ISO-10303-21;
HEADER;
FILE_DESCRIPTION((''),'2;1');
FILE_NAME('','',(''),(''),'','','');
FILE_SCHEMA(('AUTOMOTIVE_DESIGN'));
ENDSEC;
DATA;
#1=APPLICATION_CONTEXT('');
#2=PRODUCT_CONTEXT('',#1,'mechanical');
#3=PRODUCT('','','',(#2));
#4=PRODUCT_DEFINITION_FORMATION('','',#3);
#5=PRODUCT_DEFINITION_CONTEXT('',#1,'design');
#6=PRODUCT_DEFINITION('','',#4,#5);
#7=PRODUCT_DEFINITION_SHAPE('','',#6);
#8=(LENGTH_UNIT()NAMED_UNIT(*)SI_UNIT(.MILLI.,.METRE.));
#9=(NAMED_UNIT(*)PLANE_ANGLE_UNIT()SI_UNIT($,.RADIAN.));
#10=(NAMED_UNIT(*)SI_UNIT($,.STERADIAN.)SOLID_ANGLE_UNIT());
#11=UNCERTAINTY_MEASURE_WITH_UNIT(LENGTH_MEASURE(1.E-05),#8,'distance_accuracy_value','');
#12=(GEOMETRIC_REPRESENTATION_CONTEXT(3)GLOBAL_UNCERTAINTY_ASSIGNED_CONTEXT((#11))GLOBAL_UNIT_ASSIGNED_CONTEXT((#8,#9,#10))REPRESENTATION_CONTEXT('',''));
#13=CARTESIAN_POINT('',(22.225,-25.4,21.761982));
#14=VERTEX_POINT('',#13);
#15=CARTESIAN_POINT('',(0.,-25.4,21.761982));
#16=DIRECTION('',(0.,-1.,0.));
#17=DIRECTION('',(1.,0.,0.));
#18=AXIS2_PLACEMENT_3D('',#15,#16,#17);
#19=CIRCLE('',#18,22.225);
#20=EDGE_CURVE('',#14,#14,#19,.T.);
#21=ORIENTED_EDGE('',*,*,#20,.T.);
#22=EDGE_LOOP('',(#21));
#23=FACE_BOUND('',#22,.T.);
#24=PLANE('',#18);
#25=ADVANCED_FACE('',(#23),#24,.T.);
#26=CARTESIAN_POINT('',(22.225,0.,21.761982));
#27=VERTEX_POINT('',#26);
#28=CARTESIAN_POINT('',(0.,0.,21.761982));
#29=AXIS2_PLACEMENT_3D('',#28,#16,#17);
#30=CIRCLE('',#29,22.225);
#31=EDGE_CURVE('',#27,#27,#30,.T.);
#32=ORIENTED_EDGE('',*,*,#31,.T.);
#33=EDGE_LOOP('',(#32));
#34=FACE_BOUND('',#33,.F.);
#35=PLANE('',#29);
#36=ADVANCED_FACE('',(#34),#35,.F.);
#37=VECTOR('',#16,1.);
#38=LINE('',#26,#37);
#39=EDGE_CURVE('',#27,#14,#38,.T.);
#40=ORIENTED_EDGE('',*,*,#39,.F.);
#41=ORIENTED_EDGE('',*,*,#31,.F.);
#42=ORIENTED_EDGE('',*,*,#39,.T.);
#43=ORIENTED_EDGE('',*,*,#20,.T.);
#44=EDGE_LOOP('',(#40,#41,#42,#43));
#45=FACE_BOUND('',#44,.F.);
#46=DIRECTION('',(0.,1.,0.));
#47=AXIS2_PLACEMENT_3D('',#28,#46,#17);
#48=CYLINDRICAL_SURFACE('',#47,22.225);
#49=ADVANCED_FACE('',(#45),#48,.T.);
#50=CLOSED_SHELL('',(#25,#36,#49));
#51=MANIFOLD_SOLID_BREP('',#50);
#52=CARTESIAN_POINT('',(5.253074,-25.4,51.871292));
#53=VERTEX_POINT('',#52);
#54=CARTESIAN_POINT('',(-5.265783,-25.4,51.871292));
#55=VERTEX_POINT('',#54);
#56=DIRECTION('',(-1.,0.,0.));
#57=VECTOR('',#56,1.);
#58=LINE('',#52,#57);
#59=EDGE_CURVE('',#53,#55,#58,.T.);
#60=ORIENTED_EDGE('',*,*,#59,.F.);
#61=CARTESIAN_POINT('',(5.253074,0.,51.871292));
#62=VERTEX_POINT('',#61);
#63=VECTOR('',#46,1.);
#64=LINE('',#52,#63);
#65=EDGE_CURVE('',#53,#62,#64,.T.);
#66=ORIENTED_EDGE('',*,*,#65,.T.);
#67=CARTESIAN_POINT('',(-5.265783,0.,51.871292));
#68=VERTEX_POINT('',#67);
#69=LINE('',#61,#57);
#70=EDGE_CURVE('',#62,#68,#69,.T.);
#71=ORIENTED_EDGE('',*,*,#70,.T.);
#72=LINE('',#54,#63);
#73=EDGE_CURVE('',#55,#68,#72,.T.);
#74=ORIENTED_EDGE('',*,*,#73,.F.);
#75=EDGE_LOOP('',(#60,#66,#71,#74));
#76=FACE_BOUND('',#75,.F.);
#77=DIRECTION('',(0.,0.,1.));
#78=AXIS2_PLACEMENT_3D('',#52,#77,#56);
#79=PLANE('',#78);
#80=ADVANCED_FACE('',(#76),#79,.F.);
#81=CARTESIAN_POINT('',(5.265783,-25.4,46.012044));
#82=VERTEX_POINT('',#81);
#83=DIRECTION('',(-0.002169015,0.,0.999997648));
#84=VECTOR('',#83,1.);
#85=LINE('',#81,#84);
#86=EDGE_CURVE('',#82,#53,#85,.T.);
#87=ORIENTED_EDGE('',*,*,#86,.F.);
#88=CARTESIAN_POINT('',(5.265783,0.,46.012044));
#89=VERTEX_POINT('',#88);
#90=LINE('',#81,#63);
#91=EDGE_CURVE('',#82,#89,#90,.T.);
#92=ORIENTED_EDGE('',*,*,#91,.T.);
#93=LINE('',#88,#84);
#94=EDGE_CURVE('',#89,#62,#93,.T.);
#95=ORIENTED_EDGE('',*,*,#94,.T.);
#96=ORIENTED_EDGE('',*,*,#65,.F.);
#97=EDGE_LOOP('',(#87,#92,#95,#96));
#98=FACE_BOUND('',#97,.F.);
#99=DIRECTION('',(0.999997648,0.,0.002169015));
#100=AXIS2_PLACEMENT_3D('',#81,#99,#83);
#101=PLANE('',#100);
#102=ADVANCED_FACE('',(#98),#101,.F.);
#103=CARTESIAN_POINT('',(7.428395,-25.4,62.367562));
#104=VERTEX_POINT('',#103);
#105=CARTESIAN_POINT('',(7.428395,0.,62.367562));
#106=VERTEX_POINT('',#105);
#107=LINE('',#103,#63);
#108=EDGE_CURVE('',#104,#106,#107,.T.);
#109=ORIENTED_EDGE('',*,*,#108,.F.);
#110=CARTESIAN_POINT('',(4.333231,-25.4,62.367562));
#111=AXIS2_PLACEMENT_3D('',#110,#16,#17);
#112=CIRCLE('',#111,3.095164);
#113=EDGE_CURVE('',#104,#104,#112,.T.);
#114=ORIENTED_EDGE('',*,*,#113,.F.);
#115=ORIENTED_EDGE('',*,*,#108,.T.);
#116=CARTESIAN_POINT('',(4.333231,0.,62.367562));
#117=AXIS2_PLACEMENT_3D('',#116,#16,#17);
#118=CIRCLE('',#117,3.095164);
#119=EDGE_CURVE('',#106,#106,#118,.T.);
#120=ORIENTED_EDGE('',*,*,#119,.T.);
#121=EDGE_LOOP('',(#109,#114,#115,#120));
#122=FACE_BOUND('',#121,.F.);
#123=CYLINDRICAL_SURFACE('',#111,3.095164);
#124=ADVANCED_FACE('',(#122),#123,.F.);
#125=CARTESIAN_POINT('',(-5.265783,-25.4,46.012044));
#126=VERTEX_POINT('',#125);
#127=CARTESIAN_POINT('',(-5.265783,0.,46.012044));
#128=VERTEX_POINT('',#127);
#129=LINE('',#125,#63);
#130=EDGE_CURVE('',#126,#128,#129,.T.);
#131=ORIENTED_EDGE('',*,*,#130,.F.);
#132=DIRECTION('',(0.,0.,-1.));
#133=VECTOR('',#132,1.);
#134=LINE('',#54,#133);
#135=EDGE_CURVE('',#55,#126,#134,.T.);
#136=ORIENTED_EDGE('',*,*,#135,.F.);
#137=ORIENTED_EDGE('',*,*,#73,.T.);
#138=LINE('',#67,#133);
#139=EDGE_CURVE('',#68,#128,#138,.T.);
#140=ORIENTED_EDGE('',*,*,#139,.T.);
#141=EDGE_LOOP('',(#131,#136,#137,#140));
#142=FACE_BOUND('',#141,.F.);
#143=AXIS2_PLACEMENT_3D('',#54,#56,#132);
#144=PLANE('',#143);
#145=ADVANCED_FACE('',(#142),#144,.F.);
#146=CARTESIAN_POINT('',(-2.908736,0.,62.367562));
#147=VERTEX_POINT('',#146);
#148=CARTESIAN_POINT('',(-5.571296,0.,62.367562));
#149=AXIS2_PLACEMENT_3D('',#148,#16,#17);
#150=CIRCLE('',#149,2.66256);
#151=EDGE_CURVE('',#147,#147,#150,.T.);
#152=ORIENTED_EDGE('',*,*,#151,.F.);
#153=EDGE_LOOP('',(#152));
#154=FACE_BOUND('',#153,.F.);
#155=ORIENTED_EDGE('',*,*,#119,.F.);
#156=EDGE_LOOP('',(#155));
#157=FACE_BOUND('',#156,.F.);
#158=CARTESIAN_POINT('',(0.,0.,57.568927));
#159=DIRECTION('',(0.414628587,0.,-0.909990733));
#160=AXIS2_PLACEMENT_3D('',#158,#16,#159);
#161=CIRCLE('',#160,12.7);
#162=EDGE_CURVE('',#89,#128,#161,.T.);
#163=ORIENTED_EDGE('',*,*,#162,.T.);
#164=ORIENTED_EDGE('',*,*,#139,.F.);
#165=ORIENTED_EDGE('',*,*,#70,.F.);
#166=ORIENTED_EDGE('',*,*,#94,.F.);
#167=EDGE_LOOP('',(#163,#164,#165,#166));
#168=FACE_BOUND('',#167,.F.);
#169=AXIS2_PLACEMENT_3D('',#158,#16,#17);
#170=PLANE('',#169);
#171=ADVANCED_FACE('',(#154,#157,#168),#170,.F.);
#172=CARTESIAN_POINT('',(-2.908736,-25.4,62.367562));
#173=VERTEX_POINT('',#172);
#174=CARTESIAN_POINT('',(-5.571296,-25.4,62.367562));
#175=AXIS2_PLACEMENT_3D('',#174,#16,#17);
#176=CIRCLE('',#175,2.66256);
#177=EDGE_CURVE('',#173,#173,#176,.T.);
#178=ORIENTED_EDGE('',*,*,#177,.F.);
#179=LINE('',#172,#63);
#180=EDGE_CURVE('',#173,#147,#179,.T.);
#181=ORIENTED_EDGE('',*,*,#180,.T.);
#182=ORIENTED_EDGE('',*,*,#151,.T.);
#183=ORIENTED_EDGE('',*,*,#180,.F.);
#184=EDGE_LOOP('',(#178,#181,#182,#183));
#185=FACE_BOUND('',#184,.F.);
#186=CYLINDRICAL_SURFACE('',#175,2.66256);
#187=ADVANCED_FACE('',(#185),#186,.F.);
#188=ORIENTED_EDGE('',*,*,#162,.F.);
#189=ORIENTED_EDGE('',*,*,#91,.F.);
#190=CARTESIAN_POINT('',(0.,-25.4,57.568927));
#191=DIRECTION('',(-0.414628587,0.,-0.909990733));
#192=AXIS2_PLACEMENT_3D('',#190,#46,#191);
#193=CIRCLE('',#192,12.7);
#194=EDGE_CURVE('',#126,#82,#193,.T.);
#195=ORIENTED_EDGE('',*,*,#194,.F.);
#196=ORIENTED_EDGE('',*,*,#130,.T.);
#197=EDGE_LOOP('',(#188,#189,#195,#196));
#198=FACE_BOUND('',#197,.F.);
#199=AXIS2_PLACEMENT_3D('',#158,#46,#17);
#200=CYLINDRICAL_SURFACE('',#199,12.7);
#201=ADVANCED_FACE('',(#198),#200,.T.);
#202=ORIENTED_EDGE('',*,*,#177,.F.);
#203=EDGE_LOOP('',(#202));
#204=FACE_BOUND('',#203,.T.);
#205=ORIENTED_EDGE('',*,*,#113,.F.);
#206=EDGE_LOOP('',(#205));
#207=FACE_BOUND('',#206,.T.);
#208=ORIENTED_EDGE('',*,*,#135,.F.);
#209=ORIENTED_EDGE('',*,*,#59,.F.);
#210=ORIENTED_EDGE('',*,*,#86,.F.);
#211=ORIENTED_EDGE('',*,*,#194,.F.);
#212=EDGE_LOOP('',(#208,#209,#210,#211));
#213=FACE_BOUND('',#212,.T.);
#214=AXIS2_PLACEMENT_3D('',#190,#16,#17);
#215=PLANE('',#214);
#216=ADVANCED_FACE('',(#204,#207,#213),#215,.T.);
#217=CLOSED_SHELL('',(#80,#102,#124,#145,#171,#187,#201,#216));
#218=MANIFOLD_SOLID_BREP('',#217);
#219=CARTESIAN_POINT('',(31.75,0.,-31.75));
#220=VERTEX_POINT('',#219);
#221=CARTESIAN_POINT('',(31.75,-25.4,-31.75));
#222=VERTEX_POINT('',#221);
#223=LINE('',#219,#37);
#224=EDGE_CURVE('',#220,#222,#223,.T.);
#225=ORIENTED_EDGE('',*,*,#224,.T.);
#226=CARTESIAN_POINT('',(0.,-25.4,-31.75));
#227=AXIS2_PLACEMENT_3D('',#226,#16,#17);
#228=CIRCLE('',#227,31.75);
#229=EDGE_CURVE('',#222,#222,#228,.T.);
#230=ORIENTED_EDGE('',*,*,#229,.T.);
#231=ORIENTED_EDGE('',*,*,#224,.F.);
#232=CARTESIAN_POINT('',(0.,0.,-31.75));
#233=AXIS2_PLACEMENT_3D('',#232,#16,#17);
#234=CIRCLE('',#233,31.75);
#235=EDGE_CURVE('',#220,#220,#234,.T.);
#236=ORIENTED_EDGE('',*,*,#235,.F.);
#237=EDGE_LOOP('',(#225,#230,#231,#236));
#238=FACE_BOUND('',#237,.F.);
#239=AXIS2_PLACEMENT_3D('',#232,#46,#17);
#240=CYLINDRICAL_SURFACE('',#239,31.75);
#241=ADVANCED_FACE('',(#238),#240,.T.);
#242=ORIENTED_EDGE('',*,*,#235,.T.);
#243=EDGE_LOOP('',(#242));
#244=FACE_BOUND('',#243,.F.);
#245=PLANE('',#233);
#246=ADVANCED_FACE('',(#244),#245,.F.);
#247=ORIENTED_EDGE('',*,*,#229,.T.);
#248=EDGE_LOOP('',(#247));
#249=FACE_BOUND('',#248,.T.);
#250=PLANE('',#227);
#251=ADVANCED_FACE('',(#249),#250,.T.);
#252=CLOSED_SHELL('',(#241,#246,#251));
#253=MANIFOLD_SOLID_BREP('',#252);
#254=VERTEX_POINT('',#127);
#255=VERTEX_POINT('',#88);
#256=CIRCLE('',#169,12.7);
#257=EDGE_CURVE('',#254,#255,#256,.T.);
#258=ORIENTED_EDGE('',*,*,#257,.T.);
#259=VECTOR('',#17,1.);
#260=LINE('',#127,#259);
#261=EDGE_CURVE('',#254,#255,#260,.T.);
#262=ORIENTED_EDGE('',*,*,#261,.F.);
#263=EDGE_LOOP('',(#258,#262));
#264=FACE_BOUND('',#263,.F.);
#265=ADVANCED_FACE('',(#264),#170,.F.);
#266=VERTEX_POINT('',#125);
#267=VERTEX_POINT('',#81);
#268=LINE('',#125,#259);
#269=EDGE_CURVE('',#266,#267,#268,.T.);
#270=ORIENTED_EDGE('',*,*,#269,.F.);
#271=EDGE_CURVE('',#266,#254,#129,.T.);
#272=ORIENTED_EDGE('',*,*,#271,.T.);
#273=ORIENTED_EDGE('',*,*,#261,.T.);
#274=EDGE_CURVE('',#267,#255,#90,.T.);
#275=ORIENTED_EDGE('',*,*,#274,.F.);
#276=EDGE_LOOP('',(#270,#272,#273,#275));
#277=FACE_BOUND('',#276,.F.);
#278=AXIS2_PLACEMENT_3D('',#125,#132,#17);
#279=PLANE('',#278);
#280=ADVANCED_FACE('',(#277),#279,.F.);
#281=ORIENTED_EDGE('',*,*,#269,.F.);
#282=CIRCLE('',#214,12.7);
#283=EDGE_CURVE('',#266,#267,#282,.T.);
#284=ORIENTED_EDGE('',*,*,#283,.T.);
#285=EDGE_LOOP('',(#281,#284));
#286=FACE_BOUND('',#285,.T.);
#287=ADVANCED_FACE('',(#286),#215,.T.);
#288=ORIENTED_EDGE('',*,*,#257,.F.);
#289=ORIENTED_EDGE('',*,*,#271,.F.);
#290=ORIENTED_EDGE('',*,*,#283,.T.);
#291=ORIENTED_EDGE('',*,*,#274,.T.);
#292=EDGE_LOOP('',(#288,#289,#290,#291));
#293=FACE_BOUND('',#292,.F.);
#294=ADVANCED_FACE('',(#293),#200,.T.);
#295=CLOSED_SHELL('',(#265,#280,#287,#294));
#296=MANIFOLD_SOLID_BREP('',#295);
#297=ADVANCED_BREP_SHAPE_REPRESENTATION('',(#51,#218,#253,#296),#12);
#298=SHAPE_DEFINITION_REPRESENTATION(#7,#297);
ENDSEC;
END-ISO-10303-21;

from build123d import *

# Parameters (mm, degrees)
F0_R     = 31.75
F1_DEPTH = 25.4
F2_R     = 22.225
F3_DEPTH = 25.4
F2_R_2   = 12.7
F4_R     = 3.0951637775
F4_R_2   = 2.662560035
F5_DEPTH = 25.4
F7_DEPTH = 25.4


with BuildPart() as f1:
    # F0 (on Front) → F1 (new body)
    with BuildSketch(Plane.XZ):
        with Locations((0, -31.75)):
            Circle(F0_R)
    extrude(amount=F1_DEPTH)


with BuildPart() as f3:
    # F2 (on Front) → F3 (new body)
    with BuildSketch(Plane.XZ):
        with Locations((0, 21.7619820305)):
            Circle(F2_R)
    extrude(amount=F3_DEPTH)


with BuildPart() as f3b:
    # F2 (on Front) → F3, piece 2 (new body)
    with BuildSketch(Plane.XZ):
        with Locations((0, 57.5689266813)):
            Circle(F2_R_2)
    extrude(amount=F3_DEPTH)

    # F4 (on face) → F5 (cut)
    with BuildSketch(Plane.XZ.offset(25.4)):
        with Locations((4.3332311325, 62.3675622046)):
            Circle(F4_R)
        with Locations((-5.5712959729, 62.3675622046)):
            Circle(F4_R_2)
    extrude(amount=-F5_DEPTH, mode=Mode.SUBTRACT)

    # F6 (on face) → F7 (cut)
    with BuildSketch(Plane.XZ.offset(25.4)):
        Polygon((5.253074225, 51.8712922931), (-5.2657830529, 51.8712922931), (-5.2657830529, 46.0120443665), (5.2657830529, 46.0120443665), align=None)
    extrude(amount=-F7_DEPTH, mode=Mode.SUBTRACT)


solid = Compound([f1.part, f3.part, f3b.part])
